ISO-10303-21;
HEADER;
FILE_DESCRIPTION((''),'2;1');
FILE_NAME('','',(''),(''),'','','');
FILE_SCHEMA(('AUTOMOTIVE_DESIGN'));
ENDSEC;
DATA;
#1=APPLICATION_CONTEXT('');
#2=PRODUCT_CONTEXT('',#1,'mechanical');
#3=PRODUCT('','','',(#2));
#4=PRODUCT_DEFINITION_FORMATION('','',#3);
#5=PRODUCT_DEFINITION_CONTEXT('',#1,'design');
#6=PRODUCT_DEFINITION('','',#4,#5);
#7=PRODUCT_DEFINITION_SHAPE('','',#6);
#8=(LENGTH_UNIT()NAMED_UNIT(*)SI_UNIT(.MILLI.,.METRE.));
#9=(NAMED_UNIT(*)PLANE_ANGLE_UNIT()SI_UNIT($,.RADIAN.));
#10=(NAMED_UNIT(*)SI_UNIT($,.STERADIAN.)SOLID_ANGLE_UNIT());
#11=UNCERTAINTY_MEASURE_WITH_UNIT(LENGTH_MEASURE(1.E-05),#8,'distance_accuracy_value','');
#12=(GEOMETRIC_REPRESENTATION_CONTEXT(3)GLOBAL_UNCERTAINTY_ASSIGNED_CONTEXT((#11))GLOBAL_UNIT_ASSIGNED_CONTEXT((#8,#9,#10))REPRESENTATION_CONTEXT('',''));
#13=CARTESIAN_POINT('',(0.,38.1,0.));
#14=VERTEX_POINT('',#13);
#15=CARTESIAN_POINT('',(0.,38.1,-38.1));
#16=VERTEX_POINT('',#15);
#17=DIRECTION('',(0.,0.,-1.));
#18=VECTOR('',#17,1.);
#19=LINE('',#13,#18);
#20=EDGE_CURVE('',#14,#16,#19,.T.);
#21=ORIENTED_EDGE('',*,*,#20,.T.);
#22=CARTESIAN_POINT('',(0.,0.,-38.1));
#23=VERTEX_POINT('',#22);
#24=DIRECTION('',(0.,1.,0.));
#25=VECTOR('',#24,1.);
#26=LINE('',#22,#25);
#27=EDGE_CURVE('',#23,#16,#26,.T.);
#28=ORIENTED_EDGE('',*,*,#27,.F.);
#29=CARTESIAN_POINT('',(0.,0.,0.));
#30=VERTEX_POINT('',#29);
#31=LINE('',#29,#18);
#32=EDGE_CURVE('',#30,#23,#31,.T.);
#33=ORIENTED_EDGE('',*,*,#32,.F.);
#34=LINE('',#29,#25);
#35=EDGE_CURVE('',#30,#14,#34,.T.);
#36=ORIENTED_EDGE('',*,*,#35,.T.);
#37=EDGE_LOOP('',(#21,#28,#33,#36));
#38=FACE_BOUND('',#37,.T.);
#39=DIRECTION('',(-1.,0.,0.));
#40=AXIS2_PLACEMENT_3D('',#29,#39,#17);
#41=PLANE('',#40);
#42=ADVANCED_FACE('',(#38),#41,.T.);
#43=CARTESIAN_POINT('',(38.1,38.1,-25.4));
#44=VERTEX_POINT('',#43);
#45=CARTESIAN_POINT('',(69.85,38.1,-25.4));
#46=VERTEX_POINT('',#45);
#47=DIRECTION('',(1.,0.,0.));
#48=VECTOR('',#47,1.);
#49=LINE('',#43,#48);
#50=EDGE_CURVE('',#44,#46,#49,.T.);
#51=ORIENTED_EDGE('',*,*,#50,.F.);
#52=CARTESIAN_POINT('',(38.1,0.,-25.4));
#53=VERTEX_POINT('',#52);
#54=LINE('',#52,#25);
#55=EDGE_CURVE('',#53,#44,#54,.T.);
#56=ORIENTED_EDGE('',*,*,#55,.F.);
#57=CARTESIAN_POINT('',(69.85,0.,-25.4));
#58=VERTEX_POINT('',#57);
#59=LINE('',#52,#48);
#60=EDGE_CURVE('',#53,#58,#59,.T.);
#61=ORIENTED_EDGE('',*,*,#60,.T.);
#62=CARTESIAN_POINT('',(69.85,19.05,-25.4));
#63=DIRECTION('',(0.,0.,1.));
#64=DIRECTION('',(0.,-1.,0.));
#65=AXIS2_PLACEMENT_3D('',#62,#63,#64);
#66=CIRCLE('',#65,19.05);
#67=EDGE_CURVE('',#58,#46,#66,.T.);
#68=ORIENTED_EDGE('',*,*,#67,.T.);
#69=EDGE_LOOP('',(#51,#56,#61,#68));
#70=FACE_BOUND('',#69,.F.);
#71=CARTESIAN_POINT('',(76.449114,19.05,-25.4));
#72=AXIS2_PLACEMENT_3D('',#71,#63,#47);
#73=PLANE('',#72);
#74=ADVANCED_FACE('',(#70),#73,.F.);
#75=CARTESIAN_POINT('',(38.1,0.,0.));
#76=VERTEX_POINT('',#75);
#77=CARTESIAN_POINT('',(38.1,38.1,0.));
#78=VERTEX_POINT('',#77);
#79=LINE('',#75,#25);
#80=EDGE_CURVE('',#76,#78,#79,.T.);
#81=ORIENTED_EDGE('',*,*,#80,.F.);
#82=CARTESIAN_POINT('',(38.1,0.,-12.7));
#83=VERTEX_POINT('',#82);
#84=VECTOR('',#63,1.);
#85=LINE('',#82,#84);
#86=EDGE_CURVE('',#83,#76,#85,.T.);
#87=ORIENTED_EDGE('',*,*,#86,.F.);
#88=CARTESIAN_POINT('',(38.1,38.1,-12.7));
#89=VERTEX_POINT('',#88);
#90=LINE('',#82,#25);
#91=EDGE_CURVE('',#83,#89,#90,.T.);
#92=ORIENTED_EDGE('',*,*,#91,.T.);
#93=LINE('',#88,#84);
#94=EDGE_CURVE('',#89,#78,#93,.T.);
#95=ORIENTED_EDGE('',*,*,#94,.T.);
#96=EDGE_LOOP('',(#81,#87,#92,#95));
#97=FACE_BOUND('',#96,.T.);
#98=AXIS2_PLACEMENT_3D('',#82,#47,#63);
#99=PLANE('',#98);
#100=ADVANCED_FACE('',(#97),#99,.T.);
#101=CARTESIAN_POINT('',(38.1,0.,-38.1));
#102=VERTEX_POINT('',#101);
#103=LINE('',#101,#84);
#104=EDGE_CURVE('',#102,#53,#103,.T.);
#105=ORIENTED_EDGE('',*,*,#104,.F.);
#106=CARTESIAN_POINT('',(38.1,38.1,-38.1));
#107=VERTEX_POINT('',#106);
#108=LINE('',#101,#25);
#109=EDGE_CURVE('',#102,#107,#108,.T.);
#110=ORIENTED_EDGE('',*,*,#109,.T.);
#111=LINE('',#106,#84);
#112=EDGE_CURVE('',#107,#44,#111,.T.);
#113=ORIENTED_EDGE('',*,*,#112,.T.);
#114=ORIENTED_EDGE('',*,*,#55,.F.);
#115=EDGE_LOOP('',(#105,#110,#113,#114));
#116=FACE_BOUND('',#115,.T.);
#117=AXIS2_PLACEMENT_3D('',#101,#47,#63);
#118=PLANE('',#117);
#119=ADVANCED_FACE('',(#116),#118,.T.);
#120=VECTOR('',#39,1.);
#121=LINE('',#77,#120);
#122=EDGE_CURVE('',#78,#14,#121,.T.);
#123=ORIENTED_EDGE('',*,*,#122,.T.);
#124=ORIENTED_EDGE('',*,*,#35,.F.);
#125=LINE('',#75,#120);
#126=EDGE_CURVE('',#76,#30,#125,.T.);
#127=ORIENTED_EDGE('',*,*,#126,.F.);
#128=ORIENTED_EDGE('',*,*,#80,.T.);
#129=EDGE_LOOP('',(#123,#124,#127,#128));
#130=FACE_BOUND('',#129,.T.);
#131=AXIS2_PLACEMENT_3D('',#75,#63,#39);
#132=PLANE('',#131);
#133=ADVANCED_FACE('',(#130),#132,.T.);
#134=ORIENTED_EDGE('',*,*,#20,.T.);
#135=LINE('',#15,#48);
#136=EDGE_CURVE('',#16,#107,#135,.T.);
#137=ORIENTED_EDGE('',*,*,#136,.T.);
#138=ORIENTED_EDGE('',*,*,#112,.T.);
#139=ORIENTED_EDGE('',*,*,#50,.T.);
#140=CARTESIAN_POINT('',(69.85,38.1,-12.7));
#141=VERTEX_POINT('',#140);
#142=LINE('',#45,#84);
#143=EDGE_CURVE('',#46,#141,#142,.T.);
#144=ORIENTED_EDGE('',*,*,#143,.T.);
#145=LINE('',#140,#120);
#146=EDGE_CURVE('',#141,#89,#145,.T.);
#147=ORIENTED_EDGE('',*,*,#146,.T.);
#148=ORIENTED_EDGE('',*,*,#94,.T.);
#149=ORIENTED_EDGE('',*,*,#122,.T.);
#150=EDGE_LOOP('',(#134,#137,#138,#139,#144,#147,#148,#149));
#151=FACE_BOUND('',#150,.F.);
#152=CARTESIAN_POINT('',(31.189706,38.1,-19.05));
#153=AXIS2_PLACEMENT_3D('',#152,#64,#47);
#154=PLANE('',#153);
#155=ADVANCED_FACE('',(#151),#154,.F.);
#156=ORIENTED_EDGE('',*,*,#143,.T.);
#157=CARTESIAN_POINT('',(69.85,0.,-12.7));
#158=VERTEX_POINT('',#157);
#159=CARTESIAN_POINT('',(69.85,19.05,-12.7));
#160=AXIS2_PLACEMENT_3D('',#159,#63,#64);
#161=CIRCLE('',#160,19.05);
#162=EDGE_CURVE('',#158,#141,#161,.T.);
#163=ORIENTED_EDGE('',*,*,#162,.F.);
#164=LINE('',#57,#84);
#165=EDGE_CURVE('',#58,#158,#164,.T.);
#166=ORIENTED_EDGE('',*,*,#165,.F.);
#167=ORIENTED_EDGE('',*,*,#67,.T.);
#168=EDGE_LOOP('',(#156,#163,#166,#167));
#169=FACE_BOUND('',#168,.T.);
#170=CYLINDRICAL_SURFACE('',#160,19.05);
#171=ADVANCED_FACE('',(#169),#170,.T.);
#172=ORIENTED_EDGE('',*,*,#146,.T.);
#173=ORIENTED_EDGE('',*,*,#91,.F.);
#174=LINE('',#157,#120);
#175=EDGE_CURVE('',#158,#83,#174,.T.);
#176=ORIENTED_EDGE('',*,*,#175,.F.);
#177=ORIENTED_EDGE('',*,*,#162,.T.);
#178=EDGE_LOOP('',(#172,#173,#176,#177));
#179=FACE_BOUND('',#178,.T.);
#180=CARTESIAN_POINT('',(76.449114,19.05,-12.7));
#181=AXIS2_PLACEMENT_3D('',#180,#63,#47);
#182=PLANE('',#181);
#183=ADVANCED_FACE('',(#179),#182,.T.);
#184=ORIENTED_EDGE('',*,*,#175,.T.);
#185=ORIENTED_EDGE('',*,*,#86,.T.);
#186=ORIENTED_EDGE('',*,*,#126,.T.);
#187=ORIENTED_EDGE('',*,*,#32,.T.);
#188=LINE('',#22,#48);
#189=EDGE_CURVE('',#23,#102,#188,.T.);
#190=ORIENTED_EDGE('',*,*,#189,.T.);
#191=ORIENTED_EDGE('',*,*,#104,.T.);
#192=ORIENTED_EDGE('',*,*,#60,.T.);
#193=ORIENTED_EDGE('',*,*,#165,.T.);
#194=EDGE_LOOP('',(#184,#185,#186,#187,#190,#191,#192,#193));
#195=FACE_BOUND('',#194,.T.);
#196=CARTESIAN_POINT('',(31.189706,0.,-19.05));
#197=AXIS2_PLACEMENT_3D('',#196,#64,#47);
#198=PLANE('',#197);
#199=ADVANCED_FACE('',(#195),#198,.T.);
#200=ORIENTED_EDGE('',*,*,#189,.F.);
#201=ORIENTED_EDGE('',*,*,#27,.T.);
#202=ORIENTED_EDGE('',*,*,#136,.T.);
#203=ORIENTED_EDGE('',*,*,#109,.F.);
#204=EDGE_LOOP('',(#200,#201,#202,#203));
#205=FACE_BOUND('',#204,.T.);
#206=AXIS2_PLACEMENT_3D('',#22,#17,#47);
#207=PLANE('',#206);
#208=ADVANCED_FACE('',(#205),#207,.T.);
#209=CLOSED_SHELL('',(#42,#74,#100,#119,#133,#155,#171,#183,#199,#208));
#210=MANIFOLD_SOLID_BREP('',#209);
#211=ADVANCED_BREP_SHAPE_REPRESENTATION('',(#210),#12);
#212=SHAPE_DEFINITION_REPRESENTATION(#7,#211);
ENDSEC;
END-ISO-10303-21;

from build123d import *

# Parameters (mm, degrees)
F1_DEPTH = 38.1
F3_DEPTH = 12.7


with BuildPart() as f1:
    # F0 (on Front) → F1 (new body)
    with BuildSketch(Plane.XZ):
        Polygon((38.1, 0), (0, 0), (0, -38.1), (38.1, -38.1), (38.1, -25.4), (69.85, -25.4), (69.85, -12.7), (38.1, -12.7), align=None)
    extrude(amount=-F1_DEPTH)

    # F2 (on face) → F3 (join, through all)
    with BuildSketch(Plane.XY.offset(-12.7)):
        with BuildLine():
            Line((69.85, 38.1), (69.85, 0))
            ThreePointArc((69.85, 0), (88.9, 19.05), (69.85, 38.1))
        make_face()
    extrude(amount=-F3_DEPTH)


solid = f1.part
